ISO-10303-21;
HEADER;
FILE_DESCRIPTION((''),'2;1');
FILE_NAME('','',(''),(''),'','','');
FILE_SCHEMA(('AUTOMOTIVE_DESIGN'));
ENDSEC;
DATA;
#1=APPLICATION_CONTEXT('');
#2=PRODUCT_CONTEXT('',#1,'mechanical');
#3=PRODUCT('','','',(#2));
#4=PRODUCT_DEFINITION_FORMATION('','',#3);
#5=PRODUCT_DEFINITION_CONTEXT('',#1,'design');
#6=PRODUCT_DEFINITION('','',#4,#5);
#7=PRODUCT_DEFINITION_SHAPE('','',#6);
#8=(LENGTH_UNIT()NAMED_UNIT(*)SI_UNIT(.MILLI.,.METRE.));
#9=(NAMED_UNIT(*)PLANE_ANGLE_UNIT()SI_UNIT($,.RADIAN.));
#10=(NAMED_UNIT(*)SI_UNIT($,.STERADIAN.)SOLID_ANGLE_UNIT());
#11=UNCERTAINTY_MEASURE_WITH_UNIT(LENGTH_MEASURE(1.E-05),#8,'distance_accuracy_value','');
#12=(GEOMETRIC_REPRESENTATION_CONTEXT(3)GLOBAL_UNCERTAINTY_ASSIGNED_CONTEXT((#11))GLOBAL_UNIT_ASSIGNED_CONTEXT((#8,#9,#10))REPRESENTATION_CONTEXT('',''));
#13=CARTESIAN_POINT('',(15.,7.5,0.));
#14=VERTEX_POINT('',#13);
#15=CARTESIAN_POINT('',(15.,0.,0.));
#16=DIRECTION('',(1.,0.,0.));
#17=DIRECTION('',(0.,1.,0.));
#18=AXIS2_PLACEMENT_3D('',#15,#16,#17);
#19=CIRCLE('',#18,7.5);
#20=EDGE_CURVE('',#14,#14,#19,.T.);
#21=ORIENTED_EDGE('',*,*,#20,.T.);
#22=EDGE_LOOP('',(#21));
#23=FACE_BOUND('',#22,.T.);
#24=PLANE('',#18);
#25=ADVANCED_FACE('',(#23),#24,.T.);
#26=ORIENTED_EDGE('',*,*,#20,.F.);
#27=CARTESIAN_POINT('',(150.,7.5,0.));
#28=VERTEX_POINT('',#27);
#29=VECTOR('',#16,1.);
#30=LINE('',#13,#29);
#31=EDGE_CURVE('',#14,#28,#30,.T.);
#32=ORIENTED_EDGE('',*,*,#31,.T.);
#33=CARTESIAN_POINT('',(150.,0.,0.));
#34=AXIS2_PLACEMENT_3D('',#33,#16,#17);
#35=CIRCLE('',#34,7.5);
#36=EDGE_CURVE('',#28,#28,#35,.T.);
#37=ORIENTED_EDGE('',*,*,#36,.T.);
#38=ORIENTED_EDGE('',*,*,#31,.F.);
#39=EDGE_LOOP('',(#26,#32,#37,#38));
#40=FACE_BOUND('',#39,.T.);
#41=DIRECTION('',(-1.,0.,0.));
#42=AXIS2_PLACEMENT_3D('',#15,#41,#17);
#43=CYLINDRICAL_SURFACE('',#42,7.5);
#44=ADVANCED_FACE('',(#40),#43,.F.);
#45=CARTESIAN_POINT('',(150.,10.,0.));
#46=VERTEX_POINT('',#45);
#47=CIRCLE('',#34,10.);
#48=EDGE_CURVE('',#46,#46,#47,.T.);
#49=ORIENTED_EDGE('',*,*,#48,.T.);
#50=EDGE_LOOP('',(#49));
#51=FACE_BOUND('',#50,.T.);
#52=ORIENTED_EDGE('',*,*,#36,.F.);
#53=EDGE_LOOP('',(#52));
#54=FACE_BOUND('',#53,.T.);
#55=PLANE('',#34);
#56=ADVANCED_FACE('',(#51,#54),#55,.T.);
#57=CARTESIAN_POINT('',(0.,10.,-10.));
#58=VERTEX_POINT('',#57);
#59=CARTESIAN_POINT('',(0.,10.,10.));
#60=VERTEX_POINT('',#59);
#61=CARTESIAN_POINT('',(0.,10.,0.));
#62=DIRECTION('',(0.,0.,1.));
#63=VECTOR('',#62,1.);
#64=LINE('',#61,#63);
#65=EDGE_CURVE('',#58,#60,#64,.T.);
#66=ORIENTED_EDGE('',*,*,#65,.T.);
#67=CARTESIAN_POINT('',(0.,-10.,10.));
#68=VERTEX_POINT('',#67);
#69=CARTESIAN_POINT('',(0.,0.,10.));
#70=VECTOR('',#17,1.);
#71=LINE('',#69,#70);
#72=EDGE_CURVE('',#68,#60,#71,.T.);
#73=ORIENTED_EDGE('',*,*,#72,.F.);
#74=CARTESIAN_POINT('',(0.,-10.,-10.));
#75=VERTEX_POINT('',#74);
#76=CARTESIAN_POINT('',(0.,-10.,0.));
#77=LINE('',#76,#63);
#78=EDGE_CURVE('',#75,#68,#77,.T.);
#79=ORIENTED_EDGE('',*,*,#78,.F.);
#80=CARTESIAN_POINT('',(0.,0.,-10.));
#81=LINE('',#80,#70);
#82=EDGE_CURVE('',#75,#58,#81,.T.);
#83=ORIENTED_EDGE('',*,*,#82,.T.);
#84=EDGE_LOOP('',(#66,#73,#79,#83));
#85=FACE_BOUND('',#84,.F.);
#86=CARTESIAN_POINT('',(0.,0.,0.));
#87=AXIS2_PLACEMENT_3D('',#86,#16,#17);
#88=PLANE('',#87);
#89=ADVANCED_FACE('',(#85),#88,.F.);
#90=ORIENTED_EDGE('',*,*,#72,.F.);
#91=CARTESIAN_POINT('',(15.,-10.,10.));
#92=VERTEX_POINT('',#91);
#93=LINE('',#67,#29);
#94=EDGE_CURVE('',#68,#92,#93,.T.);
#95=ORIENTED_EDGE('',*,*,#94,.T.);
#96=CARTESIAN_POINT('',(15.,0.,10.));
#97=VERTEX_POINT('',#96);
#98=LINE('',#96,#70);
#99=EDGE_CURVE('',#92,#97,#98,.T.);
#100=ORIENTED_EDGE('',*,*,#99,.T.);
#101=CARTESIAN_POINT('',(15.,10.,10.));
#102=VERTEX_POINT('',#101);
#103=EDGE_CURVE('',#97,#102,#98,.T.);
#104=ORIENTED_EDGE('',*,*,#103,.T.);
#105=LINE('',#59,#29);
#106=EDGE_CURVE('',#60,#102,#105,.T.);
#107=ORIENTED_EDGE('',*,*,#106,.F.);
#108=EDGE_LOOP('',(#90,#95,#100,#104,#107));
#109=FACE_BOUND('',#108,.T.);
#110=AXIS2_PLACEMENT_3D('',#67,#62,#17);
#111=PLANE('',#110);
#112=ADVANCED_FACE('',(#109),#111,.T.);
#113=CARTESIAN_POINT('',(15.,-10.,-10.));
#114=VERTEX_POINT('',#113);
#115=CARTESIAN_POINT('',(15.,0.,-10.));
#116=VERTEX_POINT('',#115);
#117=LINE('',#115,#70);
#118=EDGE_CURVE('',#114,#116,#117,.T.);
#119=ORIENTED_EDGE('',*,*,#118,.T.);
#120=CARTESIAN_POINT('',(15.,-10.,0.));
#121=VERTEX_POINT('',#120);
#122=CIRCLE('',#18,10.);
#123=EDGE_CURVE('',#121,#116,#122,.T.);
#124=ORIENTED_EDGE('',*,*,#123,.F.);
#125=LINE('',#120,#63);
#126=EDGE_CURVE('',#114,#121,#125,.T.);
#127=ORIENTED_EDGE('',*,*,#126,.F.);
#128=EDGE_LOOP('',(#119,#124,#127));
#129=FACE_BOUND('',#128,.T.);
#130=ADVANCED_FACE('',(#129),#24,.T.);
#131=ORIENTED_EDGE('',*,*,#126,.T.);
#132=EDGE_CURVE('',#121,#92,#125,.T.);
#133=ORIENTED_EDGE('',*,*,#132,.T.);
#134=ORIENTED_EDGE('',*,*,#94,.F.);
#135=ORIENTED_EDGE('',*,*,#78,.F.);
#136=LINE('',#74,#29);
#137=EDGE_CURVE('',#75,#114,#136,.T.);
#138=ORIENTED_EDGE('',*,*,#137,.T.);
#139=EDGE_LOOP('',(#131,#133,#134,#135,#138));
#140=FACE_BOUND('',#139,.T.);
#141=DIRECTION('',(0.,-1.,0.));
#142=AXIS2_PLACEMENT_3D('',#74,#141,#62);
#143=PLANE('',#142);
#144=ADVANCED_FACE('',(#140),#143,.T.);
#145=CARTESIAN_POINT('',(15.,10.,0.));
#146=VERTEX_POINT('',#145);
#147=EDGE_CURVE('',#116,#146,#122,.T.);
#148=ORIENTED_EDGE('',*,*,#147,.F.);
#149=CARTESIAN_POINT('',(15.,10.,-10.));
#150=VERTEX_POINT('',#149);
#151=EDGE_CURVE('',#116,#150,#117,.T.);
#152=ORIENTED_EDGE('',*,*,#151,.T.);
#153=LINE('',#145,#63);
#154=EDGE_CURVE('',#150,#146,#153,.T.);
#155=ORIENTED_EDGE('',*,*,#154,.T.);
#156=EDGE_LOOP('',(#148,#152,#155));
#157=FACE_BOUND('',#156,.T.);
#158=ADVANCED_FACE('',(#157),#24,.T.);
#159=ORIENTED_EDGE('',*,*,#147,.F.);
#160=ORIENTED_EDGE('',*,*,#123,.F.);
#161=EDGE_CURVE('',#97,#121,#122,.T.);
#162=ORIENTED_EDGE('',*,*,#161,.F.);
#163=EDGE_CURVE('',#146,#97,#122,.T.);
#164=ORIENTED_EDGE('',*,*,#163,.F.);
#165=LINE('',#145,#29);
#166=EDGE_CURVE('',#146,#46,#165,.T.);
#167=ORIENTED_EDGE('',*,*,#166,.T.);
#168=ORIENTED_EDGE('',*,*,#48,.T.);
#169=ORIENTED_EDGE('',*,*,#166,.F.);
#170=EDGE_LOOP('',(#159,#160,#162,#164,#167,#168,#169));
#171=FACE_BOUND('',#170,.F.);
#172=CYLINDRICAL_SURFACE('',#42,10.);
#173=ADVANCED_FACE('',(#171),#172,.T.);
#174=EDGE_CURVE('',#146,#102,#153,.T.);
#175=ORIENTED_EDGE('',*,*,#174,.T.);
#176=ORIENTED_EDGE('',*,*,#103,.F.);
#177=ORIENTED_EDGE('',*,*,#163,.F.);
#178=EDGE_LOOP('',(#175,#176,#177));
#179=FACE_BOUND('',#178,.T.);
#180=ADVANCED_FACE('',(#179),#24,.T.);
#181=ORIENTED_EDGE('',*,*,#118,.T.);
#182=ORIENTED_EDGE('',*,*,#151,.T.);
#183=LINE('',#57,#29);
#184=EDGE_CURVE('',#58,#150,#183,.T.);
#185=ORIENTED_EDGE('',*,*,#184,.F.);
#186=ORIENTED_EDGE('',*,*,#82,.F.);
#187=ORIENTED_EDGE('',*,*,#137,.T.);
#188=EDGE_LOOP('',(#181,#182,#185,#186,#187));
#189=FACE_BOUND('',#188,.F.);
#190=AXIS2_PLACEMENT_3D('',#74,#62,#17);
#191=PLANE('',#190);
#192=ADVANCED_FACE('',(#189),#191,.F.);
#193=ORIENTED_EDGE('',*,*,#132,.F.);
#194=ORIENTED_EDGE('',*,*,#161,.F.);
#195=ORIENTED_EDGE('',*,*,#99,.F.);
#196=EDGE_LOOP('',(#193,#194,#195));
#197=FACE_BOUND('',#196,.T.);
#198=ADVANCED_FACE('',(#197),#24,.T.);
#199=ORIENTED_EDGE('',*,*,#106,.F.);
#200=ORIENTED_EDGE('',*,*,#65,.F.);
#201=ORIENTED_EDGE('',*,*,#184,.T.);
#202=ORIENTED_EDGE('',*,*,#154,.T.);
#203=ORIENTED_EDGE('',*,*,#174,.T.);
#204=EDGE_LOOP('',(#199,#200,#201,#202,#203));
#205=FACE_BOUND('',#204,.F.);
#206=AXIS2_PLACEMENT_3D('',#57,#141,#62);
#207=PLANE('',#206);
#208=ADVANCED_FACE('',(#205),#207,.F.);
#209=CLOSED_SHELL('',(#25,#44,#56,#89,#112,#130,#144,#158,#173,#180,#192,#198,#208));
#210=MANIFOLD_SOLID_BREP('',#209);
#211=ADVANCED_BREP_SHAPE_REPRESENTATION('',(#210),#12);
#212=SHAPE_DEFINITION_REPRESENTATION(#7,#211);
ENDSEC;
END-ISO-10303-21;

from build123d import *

# Parameters (mm, degrees)
F0_W     = 20
F0_H     = 20
F1_DEPTH = 15
F2_R     = 10
F2_R_2   = 7.5
F3_DEPTH = 135


with BuildPart() as f1:
    # F0 (on Right) → F1 (new body)
    with BuildSketch(Plane.YZ):
        Rectangle(F0_W, F0_H)
    extrude(amount=F1_DEPTH)

    # F2 (on face) → F3 (join)
    with BuildSketch(Plane.YZ.offset(15)):
        Circle(F2_R)
        Circle(F2_R_2, mode=Mode.SUBTRACT)
    extrude(amount=F3_DEPTH)


solid = f1.part
